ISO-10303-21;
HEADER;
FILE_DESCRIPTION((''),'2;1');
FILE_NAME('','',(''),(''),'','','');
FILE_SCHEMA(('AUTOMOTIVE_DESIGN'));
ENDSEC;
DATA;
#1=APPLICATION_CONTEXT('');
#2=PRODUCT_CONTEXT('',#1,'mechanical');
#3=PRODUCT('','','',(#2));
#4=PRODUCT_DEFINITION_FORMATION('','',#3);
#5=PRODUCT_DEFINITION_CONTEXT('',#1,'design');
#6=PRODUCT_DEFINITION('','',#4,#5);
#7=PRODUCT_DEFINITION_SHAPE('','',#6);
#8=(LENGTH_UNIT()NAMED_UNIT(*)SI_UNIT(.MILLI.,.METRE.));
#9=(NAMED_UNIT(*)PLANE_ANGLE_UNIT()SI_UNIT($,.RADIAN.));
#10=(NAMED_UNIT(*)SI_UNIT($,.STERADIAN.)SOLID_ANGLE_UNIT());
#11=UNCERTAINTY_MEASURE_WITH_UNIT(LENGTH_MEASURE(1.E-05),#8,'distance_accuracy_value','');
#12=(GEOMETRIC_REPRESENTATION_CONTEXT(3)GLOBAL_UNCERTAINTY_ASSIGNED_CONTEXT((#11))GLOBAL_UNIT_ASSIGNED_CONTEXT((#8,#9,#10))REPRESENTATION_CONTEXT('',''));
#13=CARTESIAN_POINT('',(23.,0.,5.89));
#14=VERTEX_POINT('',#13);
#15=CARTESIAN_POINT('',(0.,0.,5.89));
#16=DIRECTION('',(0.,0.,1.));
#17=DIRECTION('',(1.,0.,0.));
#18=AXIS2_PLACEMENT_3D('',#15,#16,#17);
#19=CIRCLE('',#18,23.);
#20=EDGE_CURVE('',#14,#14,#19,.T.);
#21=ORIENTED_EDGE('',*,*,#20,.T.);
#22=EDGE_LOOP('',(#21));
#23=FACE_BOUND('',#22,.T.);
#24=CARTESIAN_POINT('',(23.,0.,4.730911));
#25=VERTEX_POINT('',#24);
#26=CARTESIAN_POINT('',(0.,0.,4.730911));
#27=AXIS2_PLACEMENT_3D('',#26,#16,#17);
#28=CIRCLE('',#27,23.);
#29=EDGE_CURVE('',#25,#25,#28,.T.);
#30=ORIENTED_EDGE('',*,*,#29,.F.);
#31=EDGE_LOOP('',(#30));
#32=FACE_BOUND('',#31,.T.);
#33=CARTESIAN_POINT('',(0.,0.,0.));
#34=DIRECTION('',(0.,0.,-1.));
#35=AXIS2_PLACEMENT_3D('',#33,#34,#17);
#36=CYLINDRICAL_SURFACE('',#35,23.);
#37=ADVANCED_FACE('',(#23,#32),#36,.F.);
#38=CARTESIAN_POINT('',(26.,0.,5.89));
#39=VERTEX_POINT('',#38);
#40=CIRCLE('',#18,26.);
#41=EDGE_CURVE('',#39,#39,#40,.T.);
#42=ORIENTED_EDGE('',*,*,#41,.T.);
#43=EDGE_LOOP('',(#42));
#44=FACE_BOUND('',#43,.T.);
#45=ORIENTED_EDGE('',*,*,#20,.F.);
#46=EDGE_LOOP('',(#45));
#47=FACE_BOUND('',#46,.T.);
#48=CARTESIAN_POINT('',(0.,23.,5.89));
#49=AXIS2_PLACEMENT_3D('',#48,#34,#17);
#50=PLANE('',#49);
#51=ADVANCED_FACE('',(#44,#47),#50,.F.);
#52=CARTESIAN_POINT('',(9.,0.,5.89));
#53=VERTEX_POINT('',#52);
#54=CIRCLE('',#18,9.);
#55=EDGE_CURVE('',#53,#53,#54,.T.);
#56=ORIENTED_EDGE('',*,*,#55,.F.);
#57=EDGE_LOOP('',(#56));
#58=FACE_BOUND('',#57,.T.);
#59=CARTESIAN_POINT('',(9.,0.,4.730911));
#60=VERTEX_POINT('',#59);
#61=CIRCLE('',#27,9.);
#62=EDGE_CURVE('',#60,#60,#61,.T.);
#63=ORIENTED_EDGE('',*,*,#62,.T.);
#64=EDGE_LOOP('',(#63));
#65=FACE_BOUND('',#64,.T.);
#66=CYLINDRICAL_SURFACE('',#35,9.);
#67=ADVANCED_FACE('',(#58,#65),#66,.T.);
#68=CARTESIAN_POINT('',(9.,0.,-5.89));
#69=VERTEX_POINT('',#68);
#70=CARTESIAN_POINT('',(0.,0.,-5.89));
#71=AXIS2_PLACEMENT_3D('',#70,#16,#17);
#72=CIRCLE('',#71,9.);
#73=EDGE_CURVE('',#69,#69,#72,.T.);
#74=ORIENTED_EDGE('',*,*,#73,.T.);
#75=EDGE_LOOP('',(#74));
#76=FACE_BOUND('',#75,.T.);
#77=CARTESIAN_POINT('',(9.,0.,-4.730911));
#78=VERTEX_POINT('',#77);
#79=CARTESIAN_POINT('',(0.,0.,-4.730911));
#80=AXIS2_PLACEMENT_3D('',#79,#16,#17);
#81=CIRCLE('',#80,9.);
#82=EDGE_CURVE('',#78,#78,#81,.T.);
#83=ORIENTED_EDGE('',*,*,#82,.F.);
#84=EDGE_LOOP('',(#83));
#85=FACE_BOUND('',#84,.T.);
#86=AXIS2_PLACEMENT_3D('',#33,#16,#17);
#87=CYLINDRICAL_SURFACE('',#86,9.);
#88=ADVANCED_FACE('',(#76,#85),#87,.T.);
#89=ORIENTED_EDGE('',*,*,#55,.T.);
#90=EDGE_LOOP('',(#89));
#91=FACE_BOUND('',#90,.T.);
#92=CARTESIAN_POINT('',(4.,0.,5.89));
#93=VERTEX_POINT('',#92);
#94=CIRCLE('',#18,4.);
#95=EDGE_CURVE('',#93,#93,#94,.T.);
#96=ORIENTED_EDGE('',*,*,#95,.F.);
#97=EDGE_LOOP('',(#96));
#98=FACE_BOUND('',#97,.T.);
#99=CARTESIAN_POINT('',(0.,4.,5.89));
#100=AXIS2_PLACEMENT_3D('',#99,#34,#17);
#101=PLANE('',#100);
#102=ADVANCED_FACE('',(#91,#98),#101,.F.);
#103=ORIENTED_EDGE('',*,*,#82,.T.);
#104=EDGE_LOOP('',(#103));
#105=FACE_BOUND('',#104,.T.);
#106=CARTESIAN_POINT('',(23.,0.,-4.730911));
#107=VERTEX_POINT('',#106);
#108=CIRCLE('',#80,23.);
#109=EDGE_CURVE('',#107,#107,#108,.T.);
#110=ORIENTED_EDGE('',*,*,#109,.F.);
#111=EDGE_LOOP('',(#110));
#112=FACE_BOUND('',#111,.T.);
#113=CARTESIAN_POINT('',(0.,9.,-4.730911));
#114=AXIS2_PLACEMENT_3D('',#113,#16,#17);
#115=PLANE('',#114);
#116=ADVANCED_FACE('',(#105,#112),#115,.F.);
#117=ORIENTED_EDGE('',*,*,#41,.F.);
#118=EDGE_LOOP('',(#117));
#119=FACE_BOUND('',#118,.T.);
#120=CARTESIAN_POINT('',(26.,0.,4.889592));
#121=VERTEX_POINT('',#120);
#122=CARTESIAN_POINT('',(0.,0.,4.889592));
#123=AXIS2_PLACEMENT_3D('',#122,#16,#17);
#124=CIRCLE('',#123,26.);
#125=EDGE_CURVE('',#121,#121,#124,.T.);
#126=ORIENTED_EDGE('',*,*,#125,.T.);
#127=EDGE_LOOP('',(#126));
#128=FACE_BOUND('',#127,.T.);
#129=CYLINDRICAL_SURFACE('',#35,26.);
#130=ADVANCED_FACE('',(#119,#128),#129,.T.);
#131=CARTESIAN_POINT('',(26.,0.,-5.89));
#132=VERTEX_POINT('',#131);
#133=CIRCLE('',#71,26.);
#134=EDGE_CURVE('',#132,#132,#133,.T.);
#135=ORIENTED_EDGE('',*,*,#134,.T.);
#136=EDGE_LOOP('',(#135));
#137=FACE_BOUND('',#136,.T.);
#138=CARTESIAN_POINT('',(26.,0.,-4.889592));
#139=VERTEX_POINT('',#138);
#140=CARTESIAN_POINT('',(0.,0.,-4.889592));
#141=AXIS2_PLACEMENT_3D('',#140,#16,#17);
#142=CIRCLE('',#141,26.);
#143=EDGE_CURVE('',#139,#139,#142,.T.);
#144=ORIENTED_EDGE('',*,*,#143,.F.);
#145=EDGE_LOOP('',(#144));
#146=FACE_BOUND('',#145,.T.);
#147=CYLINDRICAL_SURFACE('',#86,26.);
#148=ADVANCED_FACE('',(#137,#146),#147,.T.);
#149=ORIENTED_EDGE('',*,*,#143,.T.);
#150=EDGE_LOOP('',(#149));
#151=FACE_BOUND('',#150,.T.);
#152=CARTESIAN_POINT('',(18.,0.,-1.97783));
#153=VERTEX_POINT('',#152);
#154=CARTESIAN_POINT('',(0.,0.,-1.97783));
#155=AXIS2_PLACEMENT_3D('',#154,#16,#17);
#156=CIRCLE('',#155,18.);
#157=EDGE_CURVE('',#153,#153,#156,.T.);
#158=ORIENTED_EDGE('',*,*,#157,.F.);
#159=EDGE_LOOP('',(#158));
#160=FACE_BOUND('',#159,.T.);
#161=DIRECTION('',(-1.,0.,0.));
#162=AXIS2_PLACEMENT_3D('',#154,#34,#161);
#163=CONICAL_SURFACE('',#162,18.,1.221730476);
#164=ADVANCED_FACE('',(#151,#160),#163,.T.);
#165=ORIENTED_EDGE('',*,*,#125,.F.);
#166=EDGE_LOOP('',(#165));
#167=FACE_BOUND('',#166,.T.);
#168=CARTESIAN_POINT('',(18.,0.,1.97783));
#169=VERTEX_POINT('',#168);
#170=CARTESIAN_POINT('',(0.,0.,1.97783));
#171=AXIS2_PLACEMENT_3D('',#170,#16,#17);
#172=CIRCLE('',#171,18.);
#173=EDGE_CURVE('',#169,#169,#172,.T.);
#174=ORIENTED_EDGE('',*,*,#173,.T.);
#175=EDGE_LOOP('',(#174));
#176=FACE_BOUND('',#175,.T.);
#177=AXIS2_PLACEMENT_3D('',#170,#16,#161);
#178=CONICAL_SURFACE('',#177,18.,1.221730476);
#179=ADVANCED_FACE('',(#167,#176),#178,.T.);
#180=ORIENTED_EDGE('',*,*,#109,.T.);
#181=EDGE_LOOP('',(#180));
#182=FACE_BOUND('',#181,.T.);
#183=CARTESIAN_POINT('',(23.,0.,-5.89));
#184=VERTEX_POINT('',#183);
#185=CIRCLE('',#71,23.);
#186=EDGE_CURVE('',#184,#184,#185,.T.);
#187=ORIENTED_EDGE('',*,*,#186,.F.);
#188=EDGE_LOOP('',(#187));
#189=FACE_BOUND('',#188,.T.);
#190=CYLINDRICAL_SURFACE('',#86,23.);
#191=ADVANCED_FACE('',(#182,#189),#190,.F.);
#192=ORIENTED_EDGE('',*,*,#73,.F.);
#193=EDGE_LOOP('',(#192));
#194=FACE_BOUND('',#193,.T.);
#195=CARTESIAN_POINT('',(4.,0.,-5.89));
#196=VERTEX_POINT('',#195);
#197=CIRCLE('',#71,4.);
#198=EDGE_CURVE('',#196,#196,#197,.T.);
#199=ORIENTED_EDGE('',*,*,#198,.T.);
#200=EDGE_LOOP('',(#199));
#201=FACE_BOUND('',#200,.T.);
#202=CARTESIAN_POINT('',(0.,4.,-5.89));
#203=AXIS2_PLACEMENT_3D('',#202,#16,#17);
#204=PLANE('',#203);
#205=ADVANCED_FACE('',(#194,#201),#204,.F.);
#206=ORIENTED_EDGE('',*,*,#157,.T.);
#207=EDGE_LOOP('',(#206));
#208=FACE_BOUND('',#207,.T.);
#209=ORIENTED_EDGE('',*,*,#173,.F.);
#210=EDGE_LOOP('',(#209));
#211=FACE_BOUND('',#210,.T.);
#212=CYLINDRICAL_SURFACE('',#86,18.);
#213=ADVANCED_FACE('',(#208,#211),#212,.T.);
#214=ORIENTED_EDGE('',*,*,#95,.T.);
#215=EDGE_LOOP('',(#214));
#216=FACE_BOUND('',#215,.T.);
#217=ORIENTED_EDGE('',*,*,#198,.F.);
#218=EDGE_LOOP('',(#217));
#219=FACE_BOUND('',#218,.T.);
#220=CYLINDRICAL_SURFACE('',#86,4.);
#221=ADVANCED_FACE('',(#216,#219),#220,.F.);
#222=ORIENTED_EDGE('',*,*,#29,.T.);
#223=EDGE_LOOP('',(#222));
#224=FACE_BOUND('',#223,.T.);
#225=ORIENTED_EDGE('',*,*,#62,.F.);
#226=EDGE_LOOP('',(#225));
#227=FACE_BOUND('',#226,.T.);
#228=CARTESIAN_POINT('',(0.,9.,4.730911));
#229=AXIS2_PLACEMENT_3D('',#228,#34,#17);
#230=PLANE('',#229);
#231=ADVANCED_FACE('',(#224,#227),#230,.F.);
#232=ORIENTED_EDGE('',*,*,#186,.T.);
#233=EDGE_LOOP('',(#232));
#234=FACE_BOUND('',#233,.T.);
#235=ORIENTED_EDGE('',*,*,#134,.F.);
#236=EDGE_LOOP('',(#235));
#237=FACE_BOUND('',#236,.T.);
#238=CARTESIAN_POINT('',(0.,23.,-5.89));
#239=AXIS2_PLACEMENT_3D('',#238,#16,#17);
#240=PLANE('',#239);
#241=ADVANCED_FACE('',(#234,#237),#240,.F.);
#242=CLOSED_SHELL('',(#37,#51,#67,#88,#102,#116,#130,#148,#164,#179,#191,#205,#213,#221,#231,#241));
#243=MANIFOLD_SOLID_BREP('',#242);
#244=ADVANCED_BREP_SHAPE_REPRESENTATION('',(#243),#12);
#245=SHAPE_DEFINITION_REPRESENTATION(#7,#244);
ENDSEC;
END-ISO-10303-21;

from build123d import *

# Parameters (mm, degrees)
BODY_MOVE_COPY1_ANGLE = 90


with BuildPart() as part:
    # Sketch1 → Revolve1 (revolve)
    with BuildSketch(Plane.XY, mode=Mode.PRIVATE) as revolve1_sk:
        Polygon((0, 4), (5.89, 4), (5.89, 9), (4.730911447, 9), (4.730911447, 23), (5.89, 23), (5.89, 26), (0, 26), align=None)
    revolve1 = revolve(revolve1_sk.sketch.rotate(Axis((0, 0, 0), (1, 0, 0)), 90), axis=Axis((0, 0, 0), (1, 0, 0)))

    # Sketch2 → Cut-Revolve1 (revolve, cut)
    with BuildSketch(Plane.XY, mode=Mode.PRIVATE) as cut_revolve1_sk:
        Polygon((0, 18), (1.977829822, 18), (4.889591697, 26), (0, 26), align=None)
    cut_revolve1 = revolve(cut_revolve1_sk.sketch.rotate(Axis((0, 0, 0), (1, 0, 0)), 90), axis=Axis((0, 0, 0), (1, 0, 0)), mode=Mode.SUBTRACT)

    # Mirror1: Revolve1, Cut-Revolve1 across Right Plane
    add(revolve1.mirror(Plane(origin=(0, 0, 0), x_dir=(0, 0, -1), z_dir=(1, 0, 0))))
    add(cut_revolve1.mirror(Plane(origin=(0, 0, 0), x_dir=(0, 0, -1), z_dir=(1, 0, 0))), mode=Mode.SUBTRACT)


with BuildPart() as part_1:
    # Body-Move/Copy1: moved
    add(part.part.rotate(Axis((0, 0, 0), (0, 1, 0)), BODY_MOVE_COPY1_ANGLE))


solid = part_1.part
